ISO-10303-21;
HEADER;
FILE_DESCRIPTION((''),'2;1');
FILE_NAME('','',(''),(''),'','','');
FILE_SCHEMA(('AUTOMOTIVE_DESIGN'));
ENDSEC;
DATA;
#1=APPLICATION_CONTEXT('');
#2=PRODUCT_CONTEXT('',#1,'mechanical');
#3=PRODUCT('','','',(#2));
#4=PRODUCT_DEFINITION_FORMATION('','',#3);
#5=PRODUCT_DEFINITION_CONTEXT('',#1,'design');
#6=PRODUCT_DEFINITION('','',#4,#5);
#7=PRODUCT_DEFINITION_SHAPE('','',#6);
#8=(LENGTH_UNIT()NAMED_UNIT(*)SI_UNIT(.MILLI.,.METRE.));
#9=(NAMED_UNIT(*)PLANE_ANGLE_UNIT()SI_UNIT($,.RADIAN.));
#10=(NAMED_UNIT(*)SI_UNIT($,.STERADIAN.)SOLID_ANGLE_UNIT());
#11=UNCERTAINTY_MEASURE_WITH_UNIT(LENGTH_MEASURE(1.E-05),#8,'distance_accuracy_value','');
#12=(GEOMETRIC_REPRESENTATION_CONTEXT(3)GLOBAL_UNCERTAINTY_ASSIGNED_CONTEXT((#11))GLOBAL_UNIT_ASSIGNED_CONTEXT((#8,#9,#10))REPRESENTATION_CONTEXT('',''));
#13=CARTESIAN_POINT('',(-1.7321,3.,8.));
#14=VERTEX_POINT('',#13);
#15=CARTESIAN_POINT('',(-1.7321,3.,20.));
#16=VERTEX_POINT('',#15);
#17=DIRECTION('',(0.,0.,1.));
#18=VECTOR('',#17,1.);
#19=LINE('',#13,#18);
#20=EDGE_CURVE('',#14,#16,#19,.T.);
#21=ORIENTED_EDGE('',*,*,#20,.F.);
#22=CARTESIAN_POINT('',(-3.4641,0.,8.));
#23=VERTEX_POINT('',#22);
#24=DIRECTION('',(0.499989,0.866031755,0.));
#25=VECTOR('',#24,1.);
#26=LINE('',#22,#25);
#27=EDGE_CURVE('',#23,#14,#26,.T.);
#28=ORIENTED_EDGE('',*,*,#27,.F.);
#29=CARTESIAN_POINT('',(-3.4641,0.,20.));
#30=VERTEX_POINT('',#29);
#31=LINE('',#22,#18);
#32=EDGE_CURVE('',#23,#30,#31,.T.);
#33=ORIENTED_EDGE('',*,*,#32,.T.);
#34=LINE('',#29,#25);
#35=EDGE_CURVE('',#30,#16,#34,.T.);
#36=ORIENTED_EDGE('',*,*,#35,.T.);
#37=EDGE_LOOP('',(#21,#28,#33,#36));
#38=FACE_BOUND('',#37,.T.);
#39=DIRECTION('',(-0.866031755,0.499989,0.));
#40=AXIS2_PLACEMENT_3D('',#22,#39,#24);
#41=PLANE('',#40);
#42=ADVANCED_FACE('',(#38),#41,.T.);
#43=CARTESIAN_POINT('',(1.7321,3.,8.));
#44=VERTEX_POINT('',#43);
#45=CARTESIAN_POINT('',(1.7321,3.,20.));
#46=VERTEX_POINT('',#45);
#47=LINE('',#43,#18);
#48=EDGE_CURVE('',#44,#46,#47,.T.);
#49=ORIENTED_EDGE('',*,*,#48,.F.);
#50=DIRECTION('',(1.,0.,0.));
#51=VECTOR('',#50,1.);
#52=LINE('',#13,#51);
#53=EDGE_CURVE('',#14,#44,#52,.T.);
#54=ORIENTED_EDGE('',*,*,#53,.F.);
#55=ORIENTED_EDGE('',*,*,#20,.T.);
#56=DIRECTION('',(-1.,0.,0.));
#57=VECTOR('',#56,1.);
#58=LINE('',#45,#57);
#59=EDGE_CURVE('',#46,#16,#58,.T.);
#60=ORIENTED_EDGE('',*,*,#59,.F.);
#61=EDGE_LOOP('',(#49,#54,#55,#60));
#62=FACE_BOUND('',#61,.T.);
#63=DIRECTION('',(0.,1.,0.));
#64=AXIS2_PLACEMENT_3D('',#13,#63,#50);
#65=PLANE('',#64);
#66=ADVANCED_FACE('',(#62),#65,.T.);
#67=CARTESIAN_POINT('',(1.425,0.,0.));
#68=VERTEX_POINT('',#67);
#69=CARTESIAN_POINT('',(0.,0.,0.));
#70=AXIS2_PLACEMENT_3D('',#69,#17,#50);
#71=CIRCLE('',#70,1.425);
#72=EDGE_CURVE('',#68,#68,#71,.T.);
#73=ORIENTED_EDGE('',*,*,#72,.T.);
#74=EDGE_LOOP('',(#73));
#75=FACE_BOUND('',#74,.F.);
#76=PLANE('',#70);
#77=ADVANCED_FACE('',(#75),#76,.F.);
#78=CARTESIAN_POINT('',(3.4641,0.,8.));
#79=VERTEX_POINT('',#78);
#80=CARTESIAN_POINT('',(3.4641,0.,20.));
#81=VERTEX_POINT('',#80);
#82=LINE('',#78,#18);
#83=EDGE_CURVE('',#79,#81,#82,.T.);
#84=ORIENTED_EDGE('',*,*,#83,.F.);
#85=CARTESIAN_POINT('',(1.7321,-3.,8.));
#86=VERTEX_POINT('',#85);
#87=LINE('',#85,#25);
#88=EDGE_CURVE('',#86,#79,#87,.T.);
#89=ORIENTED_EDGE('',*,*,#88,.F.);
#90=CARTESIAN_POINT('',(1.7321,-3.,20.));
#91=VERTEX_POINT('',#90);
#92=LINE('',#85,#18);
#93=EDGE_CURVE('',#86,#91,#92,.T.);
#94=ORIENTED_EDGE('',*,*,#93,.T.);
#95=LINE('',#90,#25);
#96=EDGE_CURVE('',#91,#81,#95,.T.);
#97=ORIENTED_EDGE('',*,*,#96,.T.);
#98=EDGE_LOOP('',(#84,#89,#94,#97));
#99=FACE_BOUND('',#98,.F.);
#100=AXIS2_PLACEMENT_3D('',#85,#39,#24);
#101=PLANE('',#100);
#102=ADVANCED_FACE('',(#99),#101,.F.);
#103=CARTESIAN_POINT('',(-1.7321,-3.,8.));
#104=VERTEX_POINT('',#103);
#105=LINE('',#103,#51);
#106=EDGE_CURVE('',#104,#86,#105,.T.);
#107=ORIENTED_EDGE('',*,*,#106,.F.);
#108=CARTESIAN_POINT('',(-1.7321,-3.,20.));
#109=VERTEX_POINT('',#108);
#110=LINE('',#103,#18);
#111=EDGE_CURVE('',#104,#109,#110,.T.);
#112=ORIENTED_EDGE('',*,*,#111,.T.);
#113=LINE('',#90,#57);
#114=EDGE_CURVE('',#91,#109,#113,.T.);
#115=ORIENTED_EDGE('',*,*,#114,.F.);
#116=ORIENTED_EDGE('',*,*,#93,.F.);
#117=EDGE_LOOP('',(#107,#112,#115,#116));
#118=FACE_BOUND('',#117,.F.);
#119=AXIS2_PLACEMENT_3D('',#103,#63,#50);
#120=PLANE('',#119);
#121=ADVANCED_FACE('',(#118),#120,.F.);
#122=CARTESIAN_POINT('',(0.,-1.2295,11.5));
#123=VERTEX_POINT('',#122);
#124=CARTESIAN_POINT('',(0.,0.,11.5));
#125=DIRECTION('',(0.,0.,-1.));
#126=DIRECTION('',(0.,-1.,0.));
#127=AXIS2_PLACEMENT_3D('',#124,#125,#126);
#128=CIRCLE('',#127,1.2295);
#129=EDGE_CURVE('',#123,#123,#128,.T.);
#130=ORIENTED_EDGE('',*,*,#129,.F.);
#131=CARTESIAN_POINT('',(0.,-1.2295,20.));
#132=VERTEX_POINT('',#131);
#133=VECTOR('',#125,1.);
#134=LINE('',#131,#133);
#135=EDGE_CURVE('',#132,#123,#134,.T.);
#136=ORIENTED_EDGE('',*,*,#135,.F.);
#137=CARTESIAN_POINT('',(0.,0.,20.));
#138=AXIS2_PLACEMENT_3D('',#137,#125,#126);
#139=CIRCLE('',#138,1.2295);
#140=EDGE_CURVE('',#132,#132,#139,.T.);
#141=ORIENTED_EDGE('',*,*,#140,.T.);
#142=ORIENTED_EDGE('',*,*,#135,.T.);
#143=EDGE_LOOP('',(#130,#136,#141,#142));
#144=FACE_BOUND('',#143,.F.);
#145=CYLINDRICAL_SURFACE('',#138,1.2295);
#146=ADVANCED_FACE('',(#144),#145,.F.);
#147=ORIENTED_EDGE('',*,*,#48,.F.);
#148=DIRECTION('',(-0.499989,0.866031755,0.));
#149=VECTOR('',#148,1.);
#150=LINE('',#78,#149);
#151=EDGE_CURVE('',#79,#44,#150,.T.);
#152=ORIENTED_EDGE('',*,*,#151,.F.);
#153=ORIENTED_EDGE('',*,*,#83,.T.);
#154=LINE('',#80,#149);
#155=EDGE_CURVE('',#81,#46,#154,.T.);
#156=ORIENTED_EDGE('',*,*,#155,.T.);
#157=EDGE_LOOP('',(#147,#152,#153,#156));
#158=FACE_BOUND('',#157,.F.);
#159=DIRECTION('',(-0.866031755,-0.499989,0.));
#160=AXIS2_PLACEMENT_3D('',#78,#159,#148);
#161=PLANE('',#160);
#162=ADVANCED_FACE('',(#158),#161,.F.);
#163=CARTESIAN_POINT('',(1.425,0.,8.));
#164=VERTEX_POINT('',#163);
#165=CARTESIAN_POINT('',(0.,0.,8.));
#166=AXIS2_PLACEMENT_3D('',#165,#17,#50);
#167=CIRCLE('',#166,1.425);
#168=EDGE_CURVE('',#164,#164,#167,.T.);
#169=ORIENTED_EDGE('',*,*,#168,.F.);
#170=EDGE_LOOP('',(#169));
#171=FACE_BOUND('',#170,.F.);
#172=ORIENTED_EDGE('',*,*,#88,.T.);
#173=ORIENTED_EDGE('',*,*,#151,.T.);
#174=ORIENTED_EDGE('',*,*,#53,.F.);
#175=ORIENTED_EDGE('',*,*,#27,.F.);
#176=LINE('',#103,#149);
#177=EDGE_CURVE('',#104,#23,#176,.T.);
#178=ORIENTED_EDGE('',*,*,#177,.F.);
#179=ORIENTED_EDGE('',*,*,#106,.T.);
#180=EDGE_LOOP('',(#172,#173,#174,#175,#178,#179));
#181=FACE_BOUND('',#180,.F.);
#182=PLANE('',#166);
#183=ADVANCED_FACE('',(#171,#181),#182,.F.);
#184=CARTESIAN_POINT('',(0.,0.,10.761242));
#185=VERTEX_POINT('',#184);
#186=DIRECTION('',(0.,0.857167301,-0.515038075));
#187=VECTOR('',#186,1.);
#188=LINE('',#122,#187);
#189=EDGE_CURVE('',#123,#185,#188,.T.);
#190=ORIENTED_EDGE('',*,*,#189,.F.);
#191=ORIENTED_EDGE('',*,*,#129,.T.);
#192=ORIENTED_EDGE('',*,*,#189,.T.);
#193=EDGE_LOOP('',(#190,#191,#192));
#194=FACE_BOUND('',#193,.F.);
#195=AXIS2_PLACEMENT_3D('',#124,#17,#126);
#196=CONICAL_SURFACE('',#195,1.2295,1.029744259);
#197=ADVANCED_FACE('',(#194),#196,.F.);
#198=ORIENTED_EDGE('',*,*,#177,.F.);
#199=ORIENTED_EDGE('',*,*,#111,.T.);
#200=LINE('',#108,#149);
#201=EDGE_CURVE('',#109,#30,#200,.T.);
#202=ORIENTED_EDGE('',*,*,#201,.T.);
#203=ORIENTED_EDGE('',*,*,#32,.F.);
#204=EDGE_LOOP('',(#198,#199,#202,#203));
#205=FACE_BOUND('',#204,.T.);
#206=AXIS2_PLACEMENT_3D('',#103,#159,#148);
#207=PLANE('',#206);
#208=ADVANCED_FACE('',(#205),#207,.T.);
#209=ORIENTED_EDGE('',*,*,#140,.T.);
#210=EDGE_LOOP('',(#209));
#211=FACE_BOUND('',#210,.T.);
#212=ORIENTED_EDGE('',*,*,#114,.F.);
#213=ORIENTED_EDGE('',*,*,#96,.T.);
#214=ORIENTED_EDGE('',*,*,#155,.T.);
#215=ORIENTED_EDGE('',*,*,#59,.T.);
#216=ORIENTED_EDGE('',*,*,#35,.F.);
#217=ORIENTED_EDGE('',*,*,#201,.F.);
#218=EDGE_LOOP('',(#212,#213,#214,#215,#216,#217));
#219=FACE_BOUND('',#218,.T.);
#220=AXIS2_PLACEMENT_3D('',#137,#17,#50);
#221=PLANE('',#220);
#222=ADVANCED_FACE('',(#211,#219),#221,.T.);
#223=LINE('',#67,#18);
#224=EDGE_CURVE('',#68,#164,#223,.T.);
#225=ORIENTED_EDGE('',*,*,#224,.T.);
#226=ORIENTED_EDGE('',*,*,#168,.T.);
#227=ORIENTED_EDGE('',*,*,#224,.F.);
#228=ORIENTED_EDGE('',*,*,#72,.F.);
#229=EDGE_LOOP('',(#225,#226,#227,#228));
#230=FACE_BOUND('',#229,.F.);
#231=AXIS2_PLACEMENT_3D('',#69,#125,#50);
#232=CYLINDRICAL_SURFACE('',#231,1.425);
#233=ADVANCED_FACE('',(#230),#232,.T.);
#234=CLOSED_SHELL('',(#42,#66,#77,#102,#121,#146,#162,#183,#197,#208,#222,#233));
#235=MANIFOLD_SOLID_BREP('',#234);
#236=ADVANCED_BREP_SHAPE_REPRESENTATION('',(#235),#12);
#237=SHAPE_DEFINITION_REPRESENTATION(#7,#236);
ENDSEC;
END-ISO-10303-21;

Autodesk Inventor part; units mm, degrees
ref_plane "Plan YZ" through (0, 0, 0) normal (1, 0, 0) x (0, 1, 0)
ref_plane "Plan XZ" through (0, 0, 0) normal (0, 1, 0) x (-1, 0, 0)
ref_plane "Plan XY" through (0, 0, 0) normal (0, 0, 1) x (1, 0, 0)
sketch "Esquisse1" plane through (0, 0, 0) normal (0, 0, 1) x (1, 0, 0)
  circle A0 centre (0, 0) radius 1.425
  dimension "d0" = 2.85
extrude "Extrusion1" add sketch "Esquisse1" along normal blind 8
sketch "Esquisse6" plane through (0, 0, 8) normal (0, 0, 1) x (1, 0, 0)
  line L0 (-4.8497, 0) -> (4.8497, 0) construction
  line L1 (0, -4.2) -> (0, 4.2) construction
  line L2 (-1.7321, -3) -> (-3.4641, 0)
  line L3 (-3.4641, 0) -> (-1.7321, 3)
  line L4 (-1.7321, 3) -> (0, 3)
  line L5 (-1.7321, -3) -> (0, -3)
  line L6 (1.7321, -3) -> (3.4641, 0)
  line L7 (3.4641, 0) -> (1.7321, 3)
  line L8 (1.7321, 3) -> (0, 3)
  line L9 (1.7321, -3) -> (0, -3)
  point P0 (0, 0)
  dimension "d4" = 6
  dimension "d8" = 120
  dimension "d10" = 6
extrude "Extrusion2" add sketch "Esquisse6" along normal blind 12
sketch "Esquisse7" plane through (0, 0, 20) normal (0, 0, 1) x (1, 0, 0)
  circle A0 centre (0, 0) radius 1.425 projected
hole "Perçage1" at (0, 0, 20) direction (0, 0, -1) diameter 2.459 depth 8.5 tip angle 118 thread size "M3x0.5" class "6H" standard "ISO M"
thread "Filetage1" size "M3x0.5" class "6g" standard "ISO M" full length
properties part number "entretoise12xM3" material "."
